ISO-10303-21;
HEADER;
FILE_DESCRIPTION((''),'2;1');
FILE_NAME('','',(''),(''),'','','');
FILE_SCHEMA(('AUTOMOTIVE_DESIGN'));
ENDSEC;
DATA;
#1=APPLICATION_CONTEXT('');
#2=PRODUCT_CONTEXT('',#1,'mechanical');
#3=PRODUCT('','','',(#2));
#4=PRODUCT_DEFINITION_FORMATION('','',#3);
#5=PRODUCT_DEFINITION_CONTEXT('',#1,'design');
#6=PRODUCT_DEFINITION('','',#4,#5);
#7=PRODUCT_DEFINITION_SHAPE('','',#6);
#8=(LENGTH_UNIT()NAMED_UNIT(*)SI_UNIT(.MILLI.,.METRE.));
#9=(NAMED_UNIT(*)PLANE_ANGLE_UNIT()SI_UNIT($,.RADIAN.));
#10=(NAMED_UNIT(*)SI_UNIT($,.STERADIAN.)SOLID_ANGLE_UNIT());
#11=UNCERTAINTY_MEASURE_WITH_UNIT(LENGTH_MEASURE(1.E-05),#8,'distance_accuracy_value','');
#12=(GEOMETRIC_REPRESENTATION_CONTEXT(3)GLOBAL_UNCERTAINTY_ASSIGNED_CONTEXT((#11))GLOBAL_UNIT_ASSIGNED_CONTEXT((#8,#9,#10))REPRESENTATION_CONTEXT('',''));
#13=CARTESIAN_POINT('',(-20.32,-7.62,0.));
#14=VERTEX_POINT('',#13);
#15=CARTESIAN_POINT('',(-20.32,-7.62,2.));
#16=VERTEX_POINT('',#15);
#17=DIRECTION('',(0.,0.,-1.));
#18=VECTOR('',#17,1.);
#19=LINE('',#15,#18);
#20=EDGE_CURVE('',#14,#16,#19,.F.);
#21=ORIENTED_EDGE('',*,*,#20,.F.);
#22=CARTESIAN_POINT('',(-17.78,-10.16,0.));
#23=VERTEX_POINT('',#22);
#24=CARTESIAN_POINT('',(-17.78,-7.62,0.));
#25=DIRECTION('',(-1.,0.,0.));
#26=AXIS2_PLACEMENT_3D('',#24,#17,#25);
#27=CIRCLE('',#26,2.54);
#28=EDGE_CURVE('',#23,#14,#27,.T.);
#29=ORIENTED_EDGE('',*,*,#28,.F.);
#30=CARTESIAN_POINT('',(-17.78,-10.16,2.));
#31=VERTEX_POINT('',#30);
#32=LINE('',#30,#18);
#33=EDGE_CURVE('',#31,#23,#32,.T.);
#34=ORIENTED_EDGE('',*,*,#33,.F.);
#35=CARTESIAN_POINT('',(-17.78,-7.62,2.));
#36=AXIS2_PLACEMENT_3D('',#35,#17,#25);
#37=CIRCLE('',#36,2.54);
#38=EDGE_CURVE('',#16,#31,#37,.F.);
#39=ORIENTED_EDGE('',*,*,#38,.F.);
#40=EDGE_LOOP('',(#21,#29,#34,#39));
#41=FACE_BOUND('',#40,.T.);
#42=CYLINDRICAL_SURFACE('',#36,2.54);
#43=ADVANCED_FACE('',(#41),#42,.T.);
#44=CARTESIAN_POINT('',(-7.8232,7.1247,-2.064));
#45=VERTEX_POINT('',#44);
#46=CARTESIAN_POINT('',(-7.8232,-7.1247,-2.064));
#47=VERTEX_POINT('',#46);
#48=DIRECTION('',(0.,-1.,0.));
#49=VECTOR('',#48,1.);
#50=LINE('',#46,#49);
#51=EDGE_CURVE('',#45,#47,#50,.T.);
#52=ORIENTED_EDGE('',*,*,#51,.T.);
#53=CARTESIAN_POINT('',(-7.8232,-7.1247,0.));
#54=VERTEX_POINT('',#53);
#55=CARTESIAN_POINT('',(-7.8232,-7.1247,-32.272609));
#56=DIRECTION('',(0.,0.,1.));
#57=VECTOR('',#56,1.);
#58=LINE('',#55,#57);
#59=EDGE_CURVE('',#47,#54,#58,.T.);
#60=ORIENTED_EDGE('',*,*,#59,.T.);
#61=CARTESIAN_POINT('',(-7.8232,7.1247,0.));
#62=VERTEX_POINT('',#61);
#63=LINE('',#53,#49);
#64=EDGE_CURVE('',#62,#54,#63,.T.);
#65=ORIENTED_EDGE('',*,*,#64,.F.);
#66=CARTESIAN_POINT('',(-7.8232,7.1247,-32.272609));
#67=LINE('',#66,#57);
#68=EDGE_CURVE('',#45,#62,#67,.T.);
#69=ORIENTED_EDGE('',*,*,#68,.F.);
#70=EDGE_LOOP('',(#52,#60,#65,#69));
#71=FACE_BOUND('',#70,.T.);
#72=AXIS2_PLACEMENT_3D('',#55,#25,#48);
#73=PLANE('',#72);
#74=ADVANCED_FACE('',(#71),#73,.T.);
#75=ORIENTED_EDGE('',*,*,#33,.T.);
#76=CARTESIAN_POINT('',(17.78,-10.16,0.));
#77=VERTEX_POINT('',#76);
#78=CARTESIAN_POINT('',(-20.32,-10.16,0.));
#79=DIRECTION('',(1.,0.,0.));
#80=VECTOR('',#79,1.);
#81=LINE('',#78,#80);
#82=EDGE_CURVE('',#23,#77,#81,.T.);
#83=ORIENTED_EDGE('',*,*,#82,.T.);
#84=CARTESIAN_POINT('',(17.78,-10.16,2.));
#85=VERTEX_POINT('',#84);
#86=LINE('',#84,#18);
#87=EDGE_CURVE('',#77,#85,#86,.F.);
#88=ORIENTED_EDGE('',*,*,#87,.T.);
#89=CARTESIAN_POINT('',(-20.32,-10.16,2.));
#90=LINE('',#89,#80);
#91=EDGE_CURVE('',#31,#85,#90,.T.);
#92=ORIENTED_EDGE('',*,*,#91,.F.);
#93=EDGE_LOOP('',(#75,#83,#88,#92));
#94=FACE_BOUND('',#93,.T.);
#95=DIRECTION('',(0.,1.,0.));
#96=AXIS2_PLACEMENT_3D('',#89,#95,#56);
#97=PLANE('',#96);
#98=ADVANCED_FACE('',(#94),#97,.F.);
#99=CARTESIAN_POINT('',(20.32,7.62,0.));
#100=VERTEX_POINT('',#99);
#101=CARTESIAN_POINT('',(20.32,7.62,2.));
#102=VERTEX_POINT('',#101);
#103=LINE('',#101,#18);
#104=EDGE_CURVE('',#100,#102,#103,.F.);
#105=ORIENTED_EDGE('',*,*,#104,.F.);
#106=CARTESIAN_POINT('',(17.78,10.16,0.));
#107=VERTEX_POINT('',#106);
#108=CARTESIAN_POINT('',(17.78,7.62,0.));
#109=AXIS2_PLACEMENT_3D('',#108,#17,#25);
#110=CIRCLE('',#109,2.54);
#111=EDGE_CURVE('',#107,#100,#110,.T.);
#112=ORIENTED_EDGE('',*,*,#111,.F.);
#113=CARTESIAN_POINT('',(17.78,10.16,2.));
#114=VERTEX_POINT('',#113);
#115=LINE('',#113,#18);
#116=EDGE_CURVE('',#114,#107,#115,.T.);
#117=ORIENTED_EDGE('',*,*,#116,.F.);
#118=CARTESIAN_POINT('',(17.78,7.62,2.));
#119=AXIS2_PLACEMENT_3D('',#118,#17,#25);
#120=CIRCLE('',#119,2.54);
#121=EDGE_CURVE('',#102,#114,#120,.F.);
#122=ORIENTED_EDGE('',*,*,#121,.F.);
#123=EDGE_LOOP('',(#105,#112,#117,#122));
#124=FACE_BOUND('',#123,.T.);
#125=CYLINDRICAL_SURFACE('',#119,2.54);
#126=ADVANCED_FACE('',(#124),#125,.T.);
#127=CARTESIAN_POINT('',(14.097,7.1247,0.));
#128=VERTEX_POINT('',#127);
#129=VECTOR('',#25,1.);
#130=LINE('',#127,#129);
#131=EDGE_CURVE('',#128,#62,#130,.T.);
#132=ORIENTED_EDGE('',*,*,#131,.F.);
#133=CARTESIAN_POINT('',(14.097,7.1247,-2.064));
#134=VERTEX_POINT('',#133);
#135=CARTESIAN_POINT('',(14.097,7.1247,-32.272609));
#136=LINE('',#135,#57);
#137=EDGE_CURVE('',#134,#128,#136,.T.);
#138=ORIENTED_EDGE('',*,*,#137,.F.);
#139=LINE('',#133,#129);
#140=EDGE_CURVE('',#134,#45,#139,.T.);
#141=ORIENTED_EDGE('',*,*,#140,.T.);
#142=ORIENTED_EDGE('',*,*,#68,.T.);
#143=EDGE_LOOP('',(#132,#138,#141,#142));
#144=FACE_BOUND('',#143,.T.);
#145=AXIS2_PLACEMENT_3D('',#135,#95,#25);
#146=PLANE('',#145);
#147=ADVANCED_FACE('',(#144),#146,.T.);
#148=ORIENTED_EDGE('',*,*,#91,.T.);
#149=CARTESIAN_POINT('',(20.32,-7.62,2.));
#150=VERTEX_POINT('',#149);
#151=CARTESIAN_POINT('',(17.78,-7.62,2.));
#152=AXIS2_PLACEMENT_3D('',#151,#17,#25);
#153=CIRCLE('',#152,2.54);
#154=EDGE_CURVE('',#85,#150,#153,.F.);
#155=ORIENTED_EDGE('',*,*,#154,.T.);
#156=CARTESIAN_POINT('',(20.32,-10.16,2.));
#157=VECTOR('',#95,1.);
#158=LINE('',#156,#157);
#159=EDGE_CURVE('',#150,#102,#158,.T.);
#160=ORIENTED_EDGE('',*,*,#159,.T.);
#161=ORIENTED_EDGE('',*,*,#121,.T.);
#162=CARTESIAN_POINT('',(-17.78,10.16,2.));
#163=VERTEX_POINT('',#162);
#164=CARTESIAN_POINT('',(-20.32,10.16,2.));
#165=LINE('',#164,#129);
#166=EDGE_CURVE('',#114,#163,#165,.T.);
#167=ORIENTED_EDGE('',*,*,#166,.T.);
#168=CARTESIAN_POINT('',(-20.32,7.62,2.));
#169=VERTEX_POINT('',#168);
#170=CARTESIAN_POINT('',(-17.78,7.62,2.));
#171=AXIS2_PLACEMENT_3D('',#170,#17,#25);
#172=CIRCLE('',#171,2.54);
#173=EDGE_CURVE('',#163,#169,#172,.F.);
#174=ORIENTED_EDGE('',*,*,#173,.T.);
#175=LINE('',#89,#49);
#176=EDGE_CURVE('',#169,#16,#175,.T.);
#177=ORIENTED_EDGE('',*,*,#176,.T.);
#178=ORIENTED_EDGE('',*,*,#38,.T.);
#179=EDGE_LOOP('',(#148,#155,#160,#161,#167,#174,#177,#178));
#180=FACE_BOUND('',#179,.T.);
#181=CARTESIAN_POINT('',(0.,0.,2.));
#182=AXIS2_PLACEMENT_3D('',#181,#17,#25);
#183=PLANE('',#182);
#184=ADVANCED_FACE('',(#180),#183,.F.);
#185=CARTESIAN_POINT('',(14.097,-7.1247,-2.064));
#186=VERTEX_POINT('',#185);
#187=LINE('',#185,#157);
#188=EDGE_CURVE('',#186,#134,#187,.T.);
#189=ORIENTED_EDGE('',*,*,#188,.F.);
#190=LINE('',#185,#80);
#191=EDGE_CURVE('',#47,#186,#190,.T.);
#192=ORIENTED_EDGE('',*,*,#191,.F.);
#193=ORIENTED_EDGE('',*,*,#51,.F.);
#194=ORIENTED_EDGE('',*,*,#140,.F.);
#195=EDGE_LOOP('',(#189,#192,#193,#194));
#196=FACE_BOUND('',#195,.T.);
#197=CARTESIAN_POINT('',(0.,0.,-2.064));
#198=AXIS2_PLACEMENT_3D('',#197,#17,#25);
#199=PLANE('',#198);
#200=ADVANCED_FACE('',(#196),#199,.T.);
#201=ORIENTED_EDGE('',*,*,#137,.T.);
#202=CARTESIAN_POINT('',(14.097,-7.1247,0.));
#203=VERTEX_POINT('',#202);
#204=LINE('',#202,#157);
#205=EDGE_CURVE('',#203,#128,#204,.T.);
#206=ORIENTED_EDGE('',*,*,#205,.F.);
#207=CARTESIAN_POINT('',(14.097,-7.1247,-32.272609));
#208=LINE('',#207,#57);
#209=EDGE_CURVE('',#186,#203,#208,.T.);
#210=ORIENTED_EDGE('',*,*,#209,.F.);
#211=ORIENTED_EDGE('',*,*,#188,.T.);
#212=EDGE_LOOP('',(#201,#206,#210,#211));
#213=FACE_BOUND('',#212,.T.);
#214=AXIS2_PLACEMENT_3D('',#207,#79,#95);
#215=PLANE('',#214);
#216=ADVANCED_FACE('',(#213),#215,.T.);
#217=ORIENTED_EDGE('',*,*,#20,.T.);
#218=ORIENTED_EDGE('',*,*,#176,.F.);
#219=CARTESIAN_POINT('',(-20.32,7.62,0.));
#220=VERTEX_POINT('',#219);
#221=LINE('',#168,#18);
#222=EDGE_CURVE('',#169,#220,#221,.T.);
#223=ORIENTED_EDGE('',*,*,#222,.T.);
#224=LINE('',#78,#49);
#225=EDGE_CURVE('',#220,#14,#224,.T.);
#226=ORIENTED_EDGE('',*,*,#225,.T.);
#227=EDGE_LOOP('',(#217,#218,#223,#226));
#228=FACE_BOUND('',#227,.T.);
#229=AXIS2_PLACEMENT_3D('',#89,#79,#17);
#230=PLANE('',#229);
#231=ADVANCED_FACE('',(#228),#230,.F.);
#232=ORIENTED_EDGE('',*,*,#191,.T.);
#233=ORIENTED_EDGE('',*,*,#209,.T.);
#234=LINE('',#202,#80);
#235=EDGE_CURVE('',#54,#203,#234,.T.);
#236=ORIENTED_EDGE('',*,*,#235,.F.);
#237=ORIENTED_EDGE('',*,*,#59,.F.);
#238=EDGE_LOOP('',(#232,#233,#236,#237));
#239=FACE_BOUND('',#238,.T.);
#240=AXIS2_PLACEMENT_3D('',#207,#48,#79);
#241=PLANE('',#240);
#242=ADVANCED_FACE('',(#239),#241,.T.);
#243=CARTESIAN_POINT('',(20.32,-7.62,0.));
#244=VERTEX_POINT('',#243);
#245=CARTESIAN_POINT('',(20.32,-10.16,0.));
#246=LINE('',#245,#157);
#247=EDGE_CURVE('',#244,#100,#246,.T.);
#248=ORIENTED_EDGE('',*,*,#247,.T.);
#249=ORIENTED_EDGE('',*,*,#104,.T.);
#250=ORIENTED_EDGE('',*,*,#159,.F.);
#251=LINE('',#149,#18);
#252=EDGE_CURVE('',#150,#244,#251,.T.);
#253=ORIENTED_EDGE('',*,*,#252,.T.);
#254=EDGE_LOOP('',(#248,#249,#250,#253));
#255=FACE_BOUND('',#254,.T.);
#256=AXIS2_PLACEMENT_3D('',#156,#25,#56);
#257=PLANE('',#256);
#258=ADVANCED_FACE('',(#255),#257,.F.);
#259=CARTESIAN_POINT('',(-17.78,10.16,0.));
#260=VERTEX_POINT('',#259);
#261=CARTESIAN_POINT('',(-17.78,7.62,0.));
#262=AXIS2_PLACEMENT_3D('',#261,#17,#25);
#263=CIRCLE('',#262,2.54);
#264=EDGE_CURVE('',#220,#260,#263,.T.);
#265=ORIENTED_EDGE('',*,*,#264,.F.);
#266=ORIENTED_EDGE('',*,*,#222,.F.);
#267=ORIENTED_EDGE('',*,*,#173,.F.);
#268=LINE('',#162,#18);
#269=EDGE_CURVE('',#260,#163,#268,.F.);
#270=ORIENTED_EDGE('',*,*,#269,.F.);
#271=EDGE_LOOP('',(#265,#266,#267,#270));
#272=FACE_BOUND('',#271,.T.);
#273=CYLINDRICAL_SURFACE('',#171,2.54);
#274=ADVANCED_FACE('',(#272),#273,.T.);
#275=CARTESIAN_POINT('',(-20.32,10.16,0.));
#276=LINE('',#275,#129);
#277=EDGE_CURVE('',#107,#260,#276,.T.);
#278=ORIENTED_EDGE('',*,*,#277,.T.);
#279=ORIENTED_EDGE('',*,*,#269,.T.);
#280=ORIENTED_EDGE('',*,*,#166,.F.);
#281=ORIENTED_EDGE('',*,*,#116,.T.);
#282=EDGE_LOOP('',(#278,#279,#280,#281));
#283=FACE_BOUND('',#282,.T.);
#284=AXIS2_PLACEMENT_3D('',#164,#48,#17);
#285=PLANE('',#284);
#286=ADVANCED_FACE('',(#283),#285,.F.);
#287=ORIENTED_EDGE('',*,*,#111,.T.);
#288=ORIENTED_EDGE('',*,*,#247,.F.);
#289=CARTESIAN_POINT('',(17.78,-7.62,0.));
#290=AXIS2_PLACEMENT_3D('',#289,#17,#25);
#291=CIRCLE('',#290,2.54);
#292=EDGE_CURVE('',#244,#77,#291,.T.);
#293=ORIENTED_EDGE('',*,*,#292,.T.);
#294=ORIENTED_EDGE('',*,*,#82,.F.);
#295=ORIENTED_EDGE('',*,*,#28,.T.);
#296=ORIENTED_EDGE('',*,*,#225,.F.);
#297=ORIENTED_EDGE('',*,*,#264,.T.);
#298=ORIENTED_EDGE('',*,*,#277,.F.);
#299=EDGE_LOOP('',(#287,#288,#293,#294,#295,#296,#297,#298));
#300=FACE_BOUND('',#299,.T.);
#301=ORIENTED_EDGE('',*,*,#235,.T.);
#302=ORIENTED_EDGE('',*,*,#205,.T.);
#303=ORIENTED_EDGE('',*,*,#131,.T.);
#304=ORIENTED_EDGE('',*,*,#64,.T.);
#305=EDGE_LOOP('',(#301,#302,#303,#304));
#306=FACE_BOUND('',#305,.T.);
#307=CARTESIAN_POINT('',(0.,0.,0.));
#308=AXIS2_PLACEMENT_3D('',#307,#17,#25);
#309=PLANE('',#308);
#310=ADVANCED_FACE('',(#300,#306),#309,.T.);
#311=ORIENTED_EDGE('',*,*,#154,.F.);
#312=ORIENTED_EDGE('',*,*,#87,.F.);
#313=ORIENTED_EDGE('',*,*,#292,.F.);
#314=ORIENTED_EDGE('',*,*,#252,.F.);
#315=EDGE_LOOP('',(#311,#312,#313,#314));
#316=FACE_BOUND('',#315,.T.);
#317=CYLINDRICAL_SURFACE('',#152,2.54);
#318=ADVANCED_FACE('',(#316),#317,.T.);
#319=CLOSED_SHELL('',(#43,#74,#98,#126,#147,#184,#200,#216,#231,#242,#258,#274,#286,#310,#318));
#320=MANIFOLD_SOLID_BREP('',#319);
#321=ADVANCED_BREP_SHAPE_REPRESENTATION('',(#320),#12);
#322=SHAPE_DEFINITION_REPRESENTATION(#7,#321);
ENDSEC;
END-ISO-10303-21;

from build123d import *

# Parameters (mm, degrees)
SKETCH1_W           = 40.64
SKETCH1_H           = 20.32
BOSS_EXTRUDE1_DEPTH = 2
FILLET1_R           = 2.54
SKETCH3_W           = 21.9202
SKETCH3_H           = 14.2494
BOSS_EXTRUDE3_DEPTH = 2.064


with BuildPart() as part:
    # Sketch1 → Boss-Extrude1 (new body)
    with BuildSketch(Plane.XY):
        Rectangle(SKETCH1_W, SKETCH1_H)
    extrude(amount=BOSS_EXTRUDE1_DEPTH)

    # Fillet1
    fillet1_edges = [part.edges().sort_by_distance(p)[0] for p in [
        (20.32, -10.16, 1),
        (-20.32, -10.16, 1),
        (-20.32, 10.16, 1),
        (20.32, 10.16, 1),
    ]]
    fillet(fillet1_edges, radius=FILLET1_R)

    # Sketch3 → Boss-Extrude3 (add)
    with BuildSketch(Plane.XY):
        with Locations((3.1369, 0)):
            Rectangle(SKETCH3_W, SKETCH3_H)
    extrude(amount=-BOSS_EXTRUDE3_DEPTH)


solid = part.part
